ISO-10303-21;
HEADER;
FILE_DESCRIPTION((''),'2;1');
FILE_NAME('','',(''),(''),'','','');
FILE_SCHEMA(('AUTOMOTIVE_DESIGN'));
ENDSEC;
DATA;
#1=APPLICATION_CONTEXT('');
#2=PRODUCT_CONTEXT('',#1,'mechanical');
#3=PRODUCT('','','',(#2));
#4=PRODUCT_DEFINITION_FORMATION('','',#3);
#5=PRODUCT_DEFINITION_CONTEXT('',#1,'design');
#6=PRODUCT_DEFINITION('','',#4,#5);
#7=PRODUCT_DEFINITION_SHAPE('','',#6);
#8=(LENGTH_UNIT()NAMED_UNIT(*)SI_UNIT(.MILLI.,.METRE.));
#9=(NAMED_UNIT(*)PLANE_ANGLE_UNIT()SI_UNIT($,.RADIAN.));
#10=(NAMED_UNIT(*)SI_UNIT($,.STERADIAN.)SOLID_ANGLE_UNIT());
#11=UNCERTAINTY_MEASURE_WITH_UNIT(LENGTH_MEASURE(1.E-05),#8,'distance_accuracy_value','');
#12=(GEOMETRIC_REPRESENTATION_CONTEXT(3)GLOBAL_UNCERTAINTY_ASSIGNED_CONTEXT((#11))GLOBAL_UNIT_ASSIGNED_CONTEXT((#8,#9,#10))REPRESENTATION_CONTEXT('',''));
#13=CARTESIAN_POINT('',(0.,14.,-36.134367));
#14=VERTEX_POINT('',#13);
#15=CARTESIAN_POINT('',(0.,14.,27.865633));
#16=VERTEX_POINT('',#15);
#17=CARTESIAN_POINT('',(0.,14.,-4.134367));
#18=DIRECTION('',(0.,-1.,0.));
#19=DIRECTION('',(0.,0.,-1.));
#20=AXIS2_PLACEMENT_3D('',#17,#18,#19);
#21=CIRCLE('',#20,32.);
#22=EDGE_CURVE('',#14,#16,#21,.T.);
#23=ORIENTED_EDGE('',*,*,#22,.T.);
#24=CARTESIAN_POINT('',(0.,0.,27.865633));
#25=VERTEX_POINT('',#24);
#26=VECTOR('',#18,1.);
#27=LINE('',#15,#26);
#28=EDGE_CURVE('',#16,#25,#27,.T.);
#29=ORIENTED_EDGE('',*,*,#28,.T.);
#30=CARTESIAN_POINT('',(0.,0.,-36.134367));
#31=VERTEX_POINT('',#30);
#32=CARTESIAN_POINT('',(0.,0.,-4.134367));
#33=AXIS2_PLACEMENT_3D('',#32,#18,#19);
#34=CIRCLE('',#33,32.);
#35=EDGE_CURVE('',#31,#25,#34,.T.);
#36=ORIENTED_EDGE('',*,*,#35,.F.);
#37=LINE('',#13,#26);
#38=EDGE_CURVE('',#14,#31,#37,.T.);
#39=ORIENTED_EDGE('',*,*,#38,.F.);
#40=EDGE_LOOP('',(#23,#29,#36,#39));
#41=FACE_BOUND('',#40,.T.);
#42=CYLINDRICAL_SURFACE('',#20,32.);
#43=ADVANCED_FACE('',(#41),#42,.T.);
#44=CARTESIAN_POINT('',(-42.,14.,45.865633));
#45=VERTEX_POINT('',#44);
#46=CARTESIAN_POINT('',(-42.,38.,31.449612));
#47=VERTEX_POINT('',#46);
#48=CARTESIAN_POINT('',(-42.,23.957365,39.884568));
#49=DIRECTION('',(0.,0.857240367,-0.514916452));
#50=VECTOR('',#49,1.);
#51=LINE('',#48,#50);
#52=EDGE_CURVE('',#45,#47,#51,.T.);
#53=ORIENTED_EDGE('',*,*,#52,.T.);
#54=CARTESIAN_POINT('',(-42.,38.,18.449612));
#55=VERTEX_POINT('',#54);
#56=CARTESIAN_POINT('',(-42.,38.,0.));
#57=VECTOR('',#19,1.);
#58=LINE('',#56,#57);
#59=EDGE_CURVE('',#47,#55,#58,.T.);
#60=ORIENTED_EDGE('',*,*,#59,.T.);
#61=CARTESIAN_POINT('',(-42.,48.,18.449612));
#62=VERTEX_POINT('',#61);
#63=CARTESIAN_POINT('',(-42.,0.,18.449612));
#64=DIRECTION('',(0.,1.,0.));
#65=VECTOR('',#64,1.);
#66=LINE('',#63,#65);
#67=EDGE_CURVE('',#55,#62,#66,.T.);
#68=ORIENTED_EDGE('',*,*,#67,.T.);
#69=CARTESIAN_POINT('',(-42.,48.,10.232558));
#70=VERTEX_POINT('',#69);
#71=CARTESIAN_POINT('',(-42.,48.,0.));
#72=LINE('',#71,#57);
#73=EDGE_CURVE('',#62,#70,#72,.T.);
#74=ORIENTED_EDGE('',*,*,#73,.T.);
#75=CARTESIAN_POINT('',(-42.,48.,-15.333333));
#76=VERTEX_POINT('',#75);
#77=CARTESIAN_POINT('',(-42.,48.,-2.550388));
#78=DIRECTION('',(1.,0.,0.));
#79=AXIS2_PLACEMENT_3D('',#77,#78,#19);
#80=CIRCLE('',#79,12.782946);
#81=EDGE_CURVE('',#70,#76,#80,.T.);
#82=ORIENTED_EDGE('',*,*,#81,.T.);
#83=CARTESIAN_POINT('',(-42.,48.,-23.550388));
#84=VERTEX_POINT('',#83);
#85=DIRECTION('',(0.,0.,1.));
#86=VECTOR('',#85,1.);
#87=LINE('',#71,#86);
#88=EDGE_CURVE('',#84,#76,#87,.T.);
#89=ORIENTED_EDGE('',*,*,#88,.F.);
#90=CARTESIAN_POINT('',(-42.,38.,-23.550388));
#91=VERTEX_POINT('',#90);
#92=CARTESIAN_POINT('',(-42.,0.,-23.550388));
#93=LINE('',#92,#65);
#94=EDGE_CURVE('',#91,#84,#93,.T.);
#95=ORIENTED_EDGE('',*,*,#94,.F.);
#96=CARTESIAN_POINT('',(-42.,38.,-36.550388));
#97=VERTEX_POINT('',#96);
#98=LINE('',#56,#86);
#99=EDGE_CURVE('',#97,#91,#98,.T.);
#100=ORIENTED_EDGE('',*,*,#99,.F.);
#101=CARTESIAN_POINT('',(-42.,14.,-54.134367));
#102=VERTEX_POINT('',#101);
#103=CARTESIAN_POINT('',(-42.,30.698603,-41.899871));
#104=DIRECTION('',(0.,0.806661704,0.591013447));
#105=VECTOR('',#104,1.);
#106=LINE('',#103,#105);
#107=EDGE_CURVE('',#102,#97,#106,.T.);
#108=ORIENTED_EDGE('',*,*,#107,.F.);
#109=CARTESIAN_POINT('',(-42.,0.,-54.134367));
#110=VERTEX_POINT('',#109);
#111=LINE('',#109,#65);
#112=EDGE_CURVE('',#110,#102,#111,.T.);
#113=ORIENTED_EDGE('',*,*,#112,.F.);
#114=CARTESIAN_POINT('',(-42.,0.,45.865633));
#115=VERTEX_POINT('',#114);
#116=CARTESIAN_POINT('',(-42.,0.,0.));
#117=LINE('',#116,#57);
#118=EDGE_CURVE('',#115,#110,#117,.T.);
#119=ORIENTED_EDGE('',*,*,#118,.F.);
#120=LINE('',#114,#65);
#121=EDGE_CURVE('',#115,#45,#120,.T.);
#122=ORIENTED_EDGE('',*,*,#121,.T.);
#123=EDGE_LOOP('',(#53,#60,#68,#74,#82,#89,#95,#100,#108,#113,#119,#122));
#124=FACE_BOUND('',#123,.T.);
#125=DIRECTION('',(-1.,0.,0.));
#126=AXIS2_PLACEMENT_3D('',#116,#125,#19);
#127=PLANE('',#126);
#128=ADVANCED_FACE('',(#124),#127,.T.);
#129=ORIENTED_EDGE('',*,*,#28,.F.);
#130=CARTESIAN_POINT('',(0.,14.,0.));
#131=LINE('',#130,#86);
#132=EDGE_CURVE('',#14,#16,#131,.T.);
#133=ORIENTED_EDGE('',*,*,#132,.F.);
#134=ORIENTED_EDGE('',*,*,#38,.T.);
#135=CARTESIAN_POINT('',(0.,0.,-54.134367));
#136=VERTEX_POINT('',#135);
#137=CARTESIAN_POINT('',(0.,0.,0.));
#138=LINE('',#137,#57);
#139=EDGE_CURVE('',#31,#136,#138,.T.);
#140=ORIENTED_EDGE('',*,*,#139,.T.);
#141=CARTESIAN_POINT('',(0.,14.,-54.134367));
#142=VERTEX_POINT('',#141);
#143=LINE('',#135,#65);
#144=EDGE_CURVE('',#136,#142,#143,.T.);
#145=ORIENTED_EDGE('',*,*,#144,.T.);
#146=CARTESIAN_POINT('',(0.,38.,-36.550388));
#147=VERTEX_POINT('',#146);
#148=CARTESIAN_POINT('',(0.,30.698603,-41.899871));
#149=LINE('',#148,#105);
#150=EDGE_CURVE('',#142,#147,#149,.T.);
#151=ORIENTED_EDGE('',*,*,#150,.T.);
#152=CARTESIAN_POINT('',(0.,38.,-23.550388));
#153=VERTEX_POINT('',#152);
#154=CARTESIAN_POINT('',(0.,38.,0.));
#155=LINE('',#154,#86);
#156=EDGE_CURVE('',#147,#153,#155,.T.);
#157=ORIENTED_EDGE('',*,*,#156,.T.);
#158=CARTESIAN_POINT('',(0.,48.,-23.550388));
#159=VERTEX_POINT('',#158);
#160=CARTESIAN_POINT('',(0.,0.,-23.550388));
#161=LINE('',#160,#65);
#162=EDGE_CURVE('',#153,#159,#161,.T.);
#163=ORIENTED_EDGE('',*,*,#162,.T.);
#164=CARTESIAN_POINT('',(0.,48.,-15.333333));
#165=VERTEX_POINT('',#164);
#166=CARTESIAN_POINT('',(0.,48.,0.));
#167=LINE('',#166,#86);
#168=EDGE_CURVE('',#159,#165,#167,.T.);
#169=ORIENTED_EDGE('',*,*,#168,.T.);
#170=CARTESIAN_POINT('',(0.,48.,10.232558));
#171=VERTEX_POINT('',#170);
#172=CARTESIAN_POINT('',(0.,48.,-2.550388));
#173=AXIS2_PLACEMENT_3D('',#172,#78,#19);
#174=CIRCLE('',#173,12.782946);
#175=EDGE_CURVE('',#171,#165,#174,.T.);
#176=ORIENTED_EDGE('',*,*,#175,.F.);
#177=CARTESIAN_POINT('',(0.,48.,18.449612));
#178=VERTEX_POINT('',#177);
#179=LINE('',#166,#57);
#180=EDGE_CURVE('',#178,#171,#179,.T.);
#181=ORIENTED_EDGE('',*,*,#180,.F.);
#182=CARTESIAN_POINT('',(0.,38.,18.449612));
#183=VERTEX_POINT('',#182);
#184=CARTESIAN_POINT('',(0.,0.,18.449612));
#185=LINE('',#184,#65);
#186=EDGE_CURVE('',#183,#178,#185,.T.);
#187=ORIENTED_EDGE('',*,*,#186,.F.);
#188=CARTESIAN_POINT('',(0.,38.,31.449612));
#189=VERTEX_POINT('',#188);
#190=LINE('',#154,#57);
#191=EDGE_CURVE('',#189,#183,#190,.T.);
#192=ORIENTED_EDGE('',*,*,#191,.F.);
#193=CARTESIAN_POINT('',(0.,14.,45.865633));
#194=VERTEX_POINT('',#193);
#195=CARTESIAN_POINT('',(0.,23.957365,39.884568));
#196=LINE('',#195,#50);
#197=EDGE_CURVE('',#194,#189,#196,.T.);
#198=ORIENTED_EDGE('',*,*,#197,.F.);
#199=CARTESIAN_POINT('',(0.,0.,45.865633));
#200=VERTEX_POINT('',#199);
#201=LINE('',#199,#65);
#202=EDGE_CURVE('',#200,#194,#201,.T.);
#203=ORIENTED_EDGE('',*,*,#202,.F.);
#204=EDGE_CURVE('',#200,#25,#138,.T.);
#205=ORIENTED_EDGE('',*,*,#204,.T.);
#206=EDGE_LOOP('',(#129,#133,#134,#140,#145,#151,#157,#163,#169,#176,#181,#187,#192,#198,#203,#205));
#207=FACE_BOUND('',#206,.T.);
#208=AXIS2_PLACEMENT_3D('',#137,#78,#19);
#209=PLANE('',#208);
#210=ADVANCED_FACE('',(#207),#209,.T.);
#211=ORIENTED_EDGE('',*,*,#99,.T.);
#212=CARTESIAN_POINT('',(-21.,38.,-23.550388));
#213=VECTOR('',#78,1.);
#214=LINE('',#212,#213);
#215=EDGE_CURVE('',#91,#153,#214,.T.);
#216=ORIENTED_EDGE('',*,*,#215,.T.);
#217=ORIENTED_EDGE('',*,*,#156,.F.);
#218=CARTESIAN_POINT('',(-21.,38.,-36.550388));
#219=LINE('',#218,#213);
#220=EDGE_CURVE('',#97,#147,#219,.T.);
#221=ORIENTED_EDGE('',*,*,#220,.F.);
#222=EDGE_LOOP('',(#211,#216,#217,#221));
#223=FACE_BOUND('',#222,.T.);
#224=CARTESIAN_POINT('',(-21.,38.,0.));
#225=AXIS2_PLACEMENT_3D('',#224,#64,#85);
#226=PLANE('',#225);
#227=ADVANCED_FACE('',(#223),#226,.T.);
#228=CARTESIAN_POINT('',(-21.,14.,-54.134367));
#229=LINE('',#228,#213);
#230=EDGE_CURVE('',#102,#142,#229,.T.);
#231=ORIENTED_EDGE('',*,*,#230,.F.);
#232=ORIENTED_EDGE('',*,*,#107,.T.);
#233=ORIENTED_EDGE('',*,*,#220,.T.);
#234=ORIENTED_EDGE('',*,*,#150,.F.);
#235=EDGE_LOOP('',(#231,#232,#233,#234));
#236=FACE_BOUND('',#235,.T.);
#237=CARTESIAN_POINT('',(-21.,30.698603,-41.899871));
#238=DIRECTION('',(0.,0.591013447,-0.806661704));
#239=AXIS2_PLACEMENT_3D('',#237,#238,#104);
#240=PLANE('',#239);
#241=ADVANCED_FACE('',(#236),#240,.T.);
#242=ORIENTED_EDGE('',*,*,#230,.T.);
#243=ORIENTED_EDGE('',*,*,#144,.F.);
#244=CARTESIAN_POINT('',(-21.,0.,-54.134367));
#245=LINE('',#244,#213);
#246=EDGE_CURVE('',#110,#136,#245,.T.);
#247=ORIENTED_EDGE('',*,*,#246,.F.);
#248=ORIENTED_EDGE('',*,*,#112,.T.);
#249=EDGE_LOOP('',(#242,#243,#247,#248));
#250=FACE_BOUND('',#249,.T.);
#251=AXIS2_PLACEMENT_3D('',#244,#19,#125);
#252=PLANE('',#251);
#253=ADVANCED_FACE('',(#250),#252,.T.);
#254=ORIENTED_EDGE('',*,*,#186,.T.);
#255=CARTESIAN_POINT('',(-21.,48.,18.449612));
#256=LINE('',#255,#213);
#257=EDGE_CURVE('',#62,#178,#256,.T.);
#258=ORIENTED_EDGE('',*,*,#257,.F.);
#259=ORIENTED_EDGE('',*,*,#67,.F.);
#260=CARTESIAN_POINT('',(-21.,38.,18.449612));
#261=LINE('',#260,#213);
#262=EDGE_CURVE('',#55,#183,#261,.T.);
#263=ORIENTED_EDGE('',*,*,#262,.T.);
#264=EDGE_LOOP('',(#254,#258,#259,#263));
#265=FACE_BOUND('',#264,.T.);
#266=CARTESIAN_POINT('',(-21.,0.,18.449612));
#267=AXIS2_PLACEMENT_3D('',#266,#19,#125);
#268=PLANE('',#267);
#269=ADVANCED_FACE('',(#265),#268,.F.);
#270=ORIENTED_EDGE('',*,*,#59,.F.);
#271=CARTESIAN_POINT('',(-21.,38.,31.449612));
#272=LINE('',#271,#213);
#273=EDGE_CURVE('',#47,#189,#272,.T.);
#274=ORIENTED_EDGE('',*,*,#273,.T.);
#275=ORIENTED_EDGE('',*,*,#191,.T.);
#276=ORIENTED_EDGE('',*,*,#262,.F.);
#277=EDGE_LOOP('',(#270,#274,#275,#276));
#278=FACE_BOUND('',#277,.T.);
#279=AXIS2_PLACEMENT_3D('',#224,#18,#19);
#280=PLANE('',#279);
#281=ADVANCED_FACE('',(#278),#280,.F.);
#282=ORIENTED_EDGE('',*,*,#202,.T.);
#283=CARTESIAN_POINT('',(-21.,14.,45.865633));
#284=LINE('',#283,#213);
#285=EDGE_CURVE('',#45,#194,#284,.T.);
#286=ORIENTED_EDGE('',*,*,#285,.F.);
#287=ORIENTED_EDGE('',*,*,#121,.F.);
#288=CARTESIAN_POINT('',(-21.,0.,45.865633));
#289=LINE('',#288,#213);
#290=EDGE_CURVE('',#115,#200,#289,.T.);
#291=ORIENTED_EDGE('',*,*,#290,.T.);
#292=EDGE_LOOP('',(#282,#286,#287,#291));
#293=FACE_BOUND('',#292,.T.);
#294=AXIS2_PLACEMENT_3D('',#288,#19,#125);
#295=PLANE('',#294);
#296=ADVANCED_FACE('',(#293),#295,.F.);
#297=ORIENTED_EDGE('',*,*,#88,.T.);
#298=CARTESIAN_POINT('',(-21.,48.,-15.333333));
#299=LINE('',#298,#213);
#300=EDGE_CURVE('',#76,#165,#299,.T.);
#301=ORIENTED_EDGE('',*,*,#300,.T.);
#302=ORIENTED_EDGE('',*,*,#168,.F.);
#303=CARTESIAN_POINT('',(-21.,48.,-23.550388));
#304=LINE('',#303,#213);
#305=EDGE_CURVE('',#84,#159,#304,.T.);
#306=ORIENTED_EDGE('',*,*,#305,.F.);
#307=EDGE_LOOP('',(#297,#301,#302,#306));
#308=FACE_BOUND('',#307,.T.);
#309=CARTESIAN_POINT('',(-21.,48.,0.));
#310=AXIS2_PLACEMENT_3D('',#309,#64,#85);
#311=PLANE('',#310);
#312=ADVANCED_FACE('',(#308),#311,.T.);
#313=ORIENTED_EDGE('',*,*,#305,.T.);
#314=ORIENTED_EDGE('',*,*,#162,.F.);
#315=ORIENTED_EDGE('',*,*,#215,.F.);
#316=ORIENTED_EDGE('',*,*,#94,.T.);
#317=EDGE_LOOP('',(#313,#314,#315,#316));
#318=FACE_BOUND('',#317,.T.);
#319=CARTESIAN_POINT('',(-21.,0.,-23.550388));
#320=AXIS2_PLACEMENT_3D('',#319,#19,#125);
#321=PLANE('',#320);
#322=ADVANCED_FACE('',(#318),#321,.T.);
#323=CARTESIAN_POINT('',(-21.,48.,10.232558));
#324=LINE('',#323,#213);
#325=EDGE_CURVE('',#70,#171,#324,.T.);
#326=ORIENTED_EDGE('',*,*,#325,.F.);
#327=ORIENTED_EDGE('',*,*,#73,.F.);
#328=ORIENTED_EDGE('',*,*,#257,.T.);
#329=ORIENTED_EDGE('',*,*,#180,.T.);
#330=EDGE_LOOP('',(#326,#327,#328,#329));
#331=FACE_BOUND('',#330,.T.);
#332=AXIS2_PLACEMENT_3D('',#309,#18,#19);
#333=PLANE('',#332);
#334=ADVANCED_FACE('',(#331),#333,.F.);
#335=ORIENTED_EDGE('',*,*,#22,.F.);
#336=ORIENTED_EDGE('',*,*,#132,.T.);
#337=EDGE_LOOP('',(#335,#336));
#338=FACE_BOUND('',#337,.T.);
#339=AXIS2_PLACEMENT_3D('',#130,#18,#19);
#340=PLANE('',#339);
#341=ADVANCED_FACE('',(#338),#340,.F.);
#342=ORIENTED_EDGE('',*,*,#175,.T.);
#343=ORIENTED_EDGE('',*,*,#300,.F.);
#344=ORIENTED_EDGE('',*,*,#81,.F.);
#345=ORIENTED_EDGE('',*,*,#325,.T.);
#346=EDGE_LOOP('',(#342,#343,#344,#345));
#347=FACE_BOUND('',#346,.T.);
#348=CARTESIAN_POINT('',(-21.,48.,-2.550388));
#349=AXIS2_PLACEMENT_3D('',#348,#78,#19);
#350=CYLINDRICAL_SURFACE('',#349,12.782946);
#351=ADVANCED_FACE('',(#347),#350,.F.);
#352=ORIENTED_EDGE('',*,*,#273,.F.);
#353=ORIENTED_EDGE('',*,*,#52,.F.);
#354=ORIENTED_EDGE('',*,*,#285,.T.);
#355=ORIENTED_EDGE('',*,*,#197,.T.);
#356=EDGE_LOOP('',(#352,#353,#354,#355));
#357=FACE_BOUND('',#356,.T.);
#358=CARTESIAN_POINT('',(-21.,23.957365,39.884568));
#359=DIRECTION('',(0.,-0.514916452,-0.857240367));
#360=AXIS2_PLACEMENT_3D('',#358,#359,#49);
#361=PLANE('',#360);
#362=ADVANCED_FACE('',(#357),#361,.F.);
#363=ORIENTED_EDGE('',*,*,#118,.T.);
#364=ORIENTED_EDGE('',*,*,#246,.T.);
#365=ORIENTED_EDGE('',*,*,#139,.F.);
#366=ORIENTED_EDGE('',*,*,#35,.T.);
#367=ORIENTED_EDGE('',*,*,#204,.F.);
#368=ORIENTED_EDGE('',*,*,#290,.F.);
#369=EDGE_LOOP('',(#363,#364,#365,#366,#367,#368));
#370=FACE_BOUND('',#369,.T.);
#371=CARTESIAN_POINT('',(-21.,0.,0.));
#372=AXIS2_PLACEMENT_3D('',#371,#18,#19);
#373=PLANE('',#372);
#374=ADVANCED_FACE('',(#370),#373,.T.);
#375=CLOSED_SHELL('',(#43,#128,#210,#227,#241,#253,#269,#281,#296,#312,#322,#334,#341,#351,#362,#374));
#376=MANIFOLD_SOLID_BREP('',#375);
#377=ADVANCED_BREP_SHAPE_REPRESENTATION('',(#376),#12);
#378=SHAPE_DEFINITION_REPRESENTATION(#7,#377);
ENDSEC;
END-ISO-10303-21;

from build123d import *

# Parameters (mm, degrees)
BOSS_EXTRUDE1_DEPTH = 21
BOSS_EXTRUDE2_DEPTH = 14


with BuildPart() as part:
    # Sketch1 → Boss-Extrude1 (new body)
    with BuildSketch(Plane(origin=(0, 0, 0), x_dir=(0, 0, -1), z_dir=(1, 0, 0))):
        with BuildLine():
            Line((-45.865633075, 14), (-45.865633075, 0))
            Line((-45.865633075, 0), (54.134366925, 0))
            Line((54.134366925, 0), (54.134366925, 14))
            Line((54.134366925, 14), (36.550387597, 38))
            Line((36.550387597, 38), (23.550387597, 38))
            Line((23.550387597, 38), (23.550387597, 48))
            Line((23.550387597, 48), (15.333333333, 48))
            ThreePointArc((15.333333333, 48), (2.550387597, 35.217054264), (-10.23255814, 48))
            Line((-10.23255814, 48), (-18.449612403, 48))
            Line((-18.449612403, 48), (-18.449612403, 38))
            Line((-18.449612403, 38), (-31.449612403, 38))
            Line((-31.449612403, 38), (-45.865633075, 14))
        make_face()
    extrude(amount=-BOSS_EXTRUDE1_DEPTH)

    # Mirror1: part across plane


with BuildPart() as part_1:
    add(part.part)
    add(part.part.mirror(Plane.ZY.offset(21)))

    # Sketch3 → Boss-Extrude2 (add)
    with BuildSketch(Plane.XZ):
        with BuildLine():
            Line((0, 27.865633075), (0, 24.200007191))
            Line((0, 24.200007191), (0, -20.725134363))
            Line((0, -20.725134363), (0, -36.134366925))
            ThreePointArc((0, -36.134366925), (22.627416998, -26.761783923), (32, -4.134366925))
            ThreePointArc((32, -4.134366925), (22.627416998, 18.493050073), (0, 27.865633075))
        make_face()
        with BuildLine():
            Line((0, -20.725134363), (0, 24.200007191))
            Line((0, 24.200007191), (0, 27.865633075))
            ThreePointArc((0, 27.865633075), (-32, -4.134366925), (0, -36.134366925))
            Line((0, -36.134366925), (0, -20.725134363))
        make_face()
    extrude(amount=-BOSS_EXTRUDE2_DEPTH)


solid = part_1.part
